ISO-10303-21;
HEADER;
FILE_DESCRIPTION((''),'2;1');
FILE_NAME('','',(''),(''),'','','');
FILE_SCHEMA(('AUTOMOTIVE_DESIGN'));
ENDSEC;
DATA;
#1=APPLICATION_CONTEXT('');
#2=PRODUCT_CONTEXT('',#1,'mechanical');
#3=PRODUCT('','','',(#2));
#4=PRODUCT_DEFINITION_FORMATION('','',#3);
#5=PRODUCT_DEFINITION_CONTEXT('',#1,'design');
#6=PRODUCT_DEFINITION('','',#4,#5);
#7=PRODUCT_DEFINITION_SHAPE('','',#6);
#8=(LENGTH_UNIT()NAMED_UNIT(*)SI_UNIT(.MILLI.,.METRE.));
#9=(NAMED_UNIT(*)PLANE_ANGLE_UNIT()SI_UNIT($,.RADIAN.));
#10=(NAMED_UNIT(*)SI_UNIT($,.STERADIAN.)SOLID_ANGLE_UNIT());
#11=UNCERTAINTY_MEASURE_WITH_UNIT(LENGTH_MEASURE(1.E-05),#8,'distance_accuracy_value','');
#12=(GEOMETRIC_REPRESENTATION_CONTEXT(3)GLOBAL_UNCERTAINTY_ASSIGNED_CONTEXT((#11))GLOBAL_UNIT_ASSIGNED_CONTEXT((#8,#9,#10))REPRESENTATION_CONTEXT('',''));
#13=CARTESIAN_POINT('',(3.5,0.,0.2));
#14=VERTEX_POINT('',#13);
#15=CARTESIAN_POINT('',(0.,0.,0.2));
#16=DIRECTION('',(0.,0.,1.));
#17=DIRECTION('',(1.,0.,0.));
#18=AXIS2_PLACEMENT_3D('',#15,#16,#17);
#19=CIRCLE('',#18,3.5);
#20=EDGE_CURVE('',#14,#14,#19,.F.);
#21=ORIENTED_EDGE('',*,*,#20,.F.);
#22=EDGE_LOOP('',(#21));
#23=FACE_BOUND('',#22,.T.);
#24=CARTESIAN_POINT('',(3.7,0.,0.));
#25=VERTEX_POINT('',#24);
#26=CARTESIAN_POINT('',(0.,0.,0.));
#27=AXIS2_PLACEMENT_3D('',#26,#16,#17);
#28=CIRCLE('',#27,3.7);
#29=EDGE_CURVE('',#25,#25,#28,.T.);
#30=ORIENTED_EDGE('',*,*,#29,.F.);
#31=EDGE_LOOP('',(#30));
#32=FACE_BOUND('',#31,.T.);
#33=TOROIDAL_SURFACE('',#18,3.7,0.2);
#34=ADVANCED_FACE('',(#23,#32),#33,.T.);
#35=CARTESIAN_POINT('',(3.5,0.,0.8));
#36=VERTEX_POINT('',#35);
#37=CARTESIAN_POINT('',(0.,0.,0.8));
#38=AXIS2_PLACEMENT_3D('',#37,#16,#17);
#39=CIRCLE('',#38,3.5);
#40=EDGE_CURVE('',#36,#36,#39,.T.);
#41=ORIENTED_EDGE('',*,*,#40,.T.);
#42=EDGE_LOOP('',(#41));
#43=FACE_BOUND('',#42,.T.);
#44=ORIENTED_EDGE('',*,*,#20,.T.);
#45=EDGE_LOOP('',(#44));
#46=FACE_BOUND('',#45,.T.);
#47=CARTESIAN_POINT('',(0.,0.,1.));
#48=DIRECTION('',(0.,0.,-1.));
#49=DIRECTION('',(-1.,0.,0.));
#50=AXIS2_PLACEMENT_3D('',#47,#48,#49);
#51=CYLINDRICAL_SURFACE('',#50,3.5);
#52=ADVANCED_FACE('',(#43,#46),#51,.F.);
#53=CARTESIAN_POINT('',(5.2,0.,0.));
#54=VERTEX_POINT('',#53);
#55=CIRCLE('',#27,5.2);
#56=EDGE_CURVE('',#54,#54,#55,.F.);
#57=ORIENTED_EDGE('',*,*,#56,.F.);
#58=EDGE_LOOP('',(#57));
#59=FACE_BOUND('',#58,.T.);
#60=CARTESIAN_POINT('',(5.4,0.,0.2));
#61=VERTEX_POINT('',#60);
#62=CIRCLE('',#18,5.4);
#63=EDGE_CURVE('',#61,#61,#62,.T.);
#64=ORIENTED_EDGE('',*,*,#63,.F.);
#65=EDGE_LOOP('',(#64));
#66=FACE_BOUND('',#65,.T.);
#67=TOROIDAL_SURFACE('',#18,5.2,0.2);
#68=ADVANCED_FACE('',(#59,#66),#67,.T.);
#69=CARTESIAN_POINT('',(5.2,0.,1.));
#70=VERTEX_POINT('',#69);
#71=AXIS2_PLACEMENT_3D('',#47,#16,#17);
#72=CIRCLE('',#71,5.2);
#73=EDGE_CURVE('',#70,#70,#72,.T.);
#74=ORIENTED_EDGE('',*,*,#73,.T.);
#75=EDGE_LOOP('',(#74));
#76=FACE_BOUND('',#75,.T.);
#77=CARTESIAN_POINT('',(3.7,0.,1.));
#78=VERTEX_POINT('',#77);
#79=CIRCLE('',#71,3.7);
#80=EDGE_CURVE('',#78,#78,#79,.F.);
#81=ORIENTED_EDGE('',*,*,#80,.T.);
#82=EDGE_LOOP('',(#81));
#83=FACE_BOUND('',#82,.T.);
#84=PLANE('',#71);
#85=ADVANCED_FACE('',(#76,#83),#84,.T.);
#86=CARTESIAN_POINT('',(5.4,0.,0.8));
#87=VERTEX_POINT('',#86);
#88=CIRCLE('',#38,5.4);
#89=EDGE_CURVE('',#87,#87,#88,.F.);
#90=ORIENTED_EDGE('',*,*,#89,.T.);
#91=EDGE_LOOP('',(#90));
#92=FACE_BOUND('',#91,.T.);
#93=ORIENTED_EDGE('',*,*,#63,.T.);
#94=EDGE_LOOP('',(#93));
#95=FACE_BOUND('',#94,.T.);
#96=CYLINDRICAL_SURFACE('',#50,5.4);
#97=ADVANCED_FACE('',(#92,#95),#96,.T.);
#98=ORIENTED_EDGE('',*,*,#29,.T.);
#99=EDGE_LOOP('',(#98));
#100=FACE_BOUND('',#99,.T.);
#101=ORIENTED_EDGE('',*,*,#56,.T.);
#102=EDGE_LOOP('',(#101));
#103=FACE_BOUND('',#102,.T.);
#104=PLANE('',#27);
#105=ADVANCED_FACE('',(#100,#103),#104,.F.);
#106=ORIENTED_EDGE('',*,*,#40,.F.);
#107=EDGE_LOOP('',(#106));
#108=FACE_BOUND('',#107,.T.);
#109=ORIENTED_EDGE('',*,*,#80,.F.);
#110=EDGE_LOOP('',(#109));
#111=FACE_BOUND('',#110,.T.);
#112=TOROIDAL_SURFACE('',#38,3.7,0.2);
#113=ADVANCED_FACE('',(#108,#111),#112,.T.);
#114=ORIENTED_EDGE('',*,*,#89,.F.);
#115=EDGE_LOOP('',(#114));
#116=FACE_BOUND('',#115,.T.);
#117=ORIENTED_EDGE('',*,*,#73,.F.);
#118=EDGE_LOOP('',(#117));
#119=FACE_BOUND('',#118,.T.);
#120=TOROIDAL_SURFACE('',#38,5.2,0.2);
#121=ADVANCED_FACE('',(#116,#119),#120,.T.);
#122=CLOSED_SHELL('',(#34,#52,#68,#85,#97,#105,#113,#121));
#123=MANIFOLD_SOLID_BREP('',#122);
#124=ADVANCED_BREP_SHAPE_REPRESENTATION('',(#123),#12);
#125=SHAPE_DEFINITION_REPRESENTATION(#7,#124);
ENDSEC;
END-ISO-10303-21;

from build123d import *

# Parameters (mm, degrees)
SKETCH1_R           = 5.4
SKETCH1_R_2         = 3.5
BOSS_EXTRUDE1_DEPTH = 1
FILLET1_R           = 0.2


with BuildPart() as part:
    # Sketch1 → Boss-Extrude1 (new body)
    with BuildSketch(Plane.XY):
        Circle(SKETCH1_R)
        Circle(SKETCH1_R_2, mode=Mode.SUBTRACT)
    extrude(amount=BOSS_EXTRUDE1_DEPTH)

    # Fillet1
    fillet1_edges = [part.edges().sort_by_distance(p)[0] for p in [
        (-5.4, 0, 0),
        (-5.4, 0, 1),
        (-3.5, 0, 0),
        (-3.5, 0, 1),
    ]]
    fillet(fillet1_edges, radius=FILLET1_R)


solid = part.part
